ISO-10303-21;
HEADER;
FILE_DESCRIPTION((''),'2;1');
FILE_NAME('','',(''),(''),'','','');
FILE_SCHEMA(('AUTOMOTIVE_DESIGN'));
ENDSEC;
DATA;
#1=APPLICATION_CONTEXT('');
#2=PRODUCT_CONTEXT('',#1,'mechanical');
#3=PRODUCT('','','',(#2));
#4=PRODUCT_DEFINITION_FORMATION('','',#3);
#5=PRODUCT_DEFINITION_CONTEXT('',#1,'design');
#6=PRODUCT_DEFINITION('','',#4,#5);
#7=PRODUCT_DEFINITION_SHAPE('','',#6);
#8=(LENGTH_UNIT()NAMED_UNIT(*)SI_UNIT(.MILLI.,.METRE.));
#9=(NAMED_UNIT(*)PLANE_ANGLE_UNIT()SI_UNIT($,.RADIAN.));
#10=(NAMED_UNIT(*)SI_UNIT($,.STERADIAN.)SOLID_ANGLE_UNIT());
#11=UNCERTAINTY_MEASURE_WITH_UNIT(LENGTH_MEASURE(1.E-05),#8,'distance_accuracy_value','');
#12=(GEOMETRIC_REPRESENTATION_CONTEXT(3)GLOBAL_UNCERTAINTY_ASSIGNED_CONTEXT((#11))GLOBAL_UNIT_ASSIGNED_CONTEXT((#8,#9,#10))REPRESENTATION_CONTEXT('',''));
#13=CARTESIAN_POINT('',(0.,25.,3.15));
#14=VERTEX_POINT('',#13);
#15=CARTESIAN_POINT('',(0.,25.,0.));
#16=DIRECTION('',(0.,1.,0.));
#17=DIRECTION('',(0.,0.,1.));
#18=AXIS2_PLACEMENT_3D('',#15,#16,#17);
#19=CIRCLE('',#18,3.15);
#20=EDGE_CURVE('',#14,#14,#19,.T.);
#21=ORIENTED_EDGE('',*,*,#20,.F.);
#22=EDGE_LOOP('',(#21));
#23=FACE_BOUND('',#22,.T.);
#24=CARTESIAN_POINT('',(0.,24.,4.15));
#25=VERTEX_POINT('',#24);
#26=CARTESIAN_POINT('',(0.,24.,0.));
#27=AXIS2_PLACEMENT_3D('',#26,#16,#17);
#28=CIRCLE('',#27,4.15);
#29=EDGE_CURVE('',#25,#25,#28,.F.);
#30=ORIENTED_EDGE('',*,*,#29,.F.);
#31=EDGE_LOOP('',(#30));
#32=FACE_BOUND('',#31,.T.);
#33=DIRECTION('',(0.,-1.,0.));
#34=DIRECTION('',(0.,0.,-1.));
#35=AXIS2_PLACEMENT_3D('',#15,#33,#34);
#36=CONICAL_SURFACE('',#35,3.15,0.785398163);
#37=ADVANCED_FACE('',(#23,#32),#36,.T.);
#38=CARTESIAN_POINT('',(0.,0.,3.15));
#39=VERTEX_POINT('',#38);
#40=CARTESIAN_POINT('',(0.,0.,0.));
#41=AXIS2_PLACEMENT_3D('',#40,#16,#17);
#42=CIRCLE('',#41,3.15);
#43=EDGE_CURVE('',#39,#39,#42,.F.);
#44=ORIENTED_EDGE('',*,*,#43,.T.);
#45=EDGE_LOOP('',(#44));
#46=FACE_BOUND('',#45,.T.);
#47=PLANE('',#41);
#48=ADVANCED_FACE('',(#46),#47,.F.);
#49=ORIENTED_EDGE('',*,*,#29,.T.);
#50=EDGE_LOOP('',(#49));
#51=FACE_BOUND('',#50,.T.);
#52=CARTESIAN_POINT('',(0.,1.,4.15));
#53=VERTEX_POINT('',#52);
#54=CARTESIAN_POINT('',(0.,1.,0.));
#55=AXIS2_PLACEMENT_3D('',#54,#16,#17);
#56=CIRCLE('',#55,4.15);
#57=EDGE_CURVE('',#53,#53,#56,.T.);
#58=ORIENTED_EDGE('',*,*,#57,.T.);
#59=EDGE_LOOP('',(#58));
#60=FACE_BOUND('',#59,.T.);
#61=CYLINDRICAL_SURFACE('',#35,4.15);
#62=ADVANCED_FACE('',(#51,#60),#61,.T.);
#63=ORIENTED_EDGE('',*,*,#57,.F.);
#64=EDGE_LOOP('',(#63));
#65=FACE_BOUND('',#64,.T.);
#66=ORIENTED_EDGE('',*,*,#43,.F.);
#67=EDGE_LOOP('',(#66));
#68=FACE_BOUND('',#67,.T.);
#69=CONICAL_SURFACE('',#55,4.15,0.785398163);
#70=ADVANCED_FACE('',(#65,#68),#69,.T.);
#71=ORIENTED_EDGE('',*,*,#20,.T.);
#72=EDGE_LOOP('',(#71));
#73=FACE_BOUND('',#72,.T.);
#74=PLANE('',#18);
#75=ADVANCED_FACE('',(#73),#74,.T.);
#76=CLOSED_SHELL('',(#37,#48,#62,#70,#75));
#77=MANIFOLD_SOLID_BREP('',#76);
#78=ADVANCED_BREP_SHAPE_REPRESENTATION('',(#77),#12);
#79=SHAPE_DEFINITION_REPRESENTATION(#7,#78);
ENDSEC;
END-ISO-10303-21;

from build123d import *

# Parameters (mm, degrees)
SKETCH1_R           = 4.15
BOSS_EXTRUDE1_DEPTH = 25
CHAMFER2_SIZE       = 1


with BuildPart() as part:
    # Sketch1 → Boss-Extrude1 (new body)
    with BuildSketch(Plane(origin=(0, 0, 0), x_dir=(1, 0, 0), z_dir=(0, 1, 0))):
        with Locations(Location((0, 0, 0), (0, 0, 270))):
            Circle(SKETCH1_R)
    extrude(amount=BOSS_EXTRUDE1_DEPTH)

    # Chamfer2
    chamfer2_edges = [part.edges().sort_by_distance(p)[0] for p in [
        (0, 0, -4.15),
        (0, 25, -4.15),
    ]]
    chamfer(chamfer2_edges, length=CHAMFER2_SIZE)


solid = part.part
